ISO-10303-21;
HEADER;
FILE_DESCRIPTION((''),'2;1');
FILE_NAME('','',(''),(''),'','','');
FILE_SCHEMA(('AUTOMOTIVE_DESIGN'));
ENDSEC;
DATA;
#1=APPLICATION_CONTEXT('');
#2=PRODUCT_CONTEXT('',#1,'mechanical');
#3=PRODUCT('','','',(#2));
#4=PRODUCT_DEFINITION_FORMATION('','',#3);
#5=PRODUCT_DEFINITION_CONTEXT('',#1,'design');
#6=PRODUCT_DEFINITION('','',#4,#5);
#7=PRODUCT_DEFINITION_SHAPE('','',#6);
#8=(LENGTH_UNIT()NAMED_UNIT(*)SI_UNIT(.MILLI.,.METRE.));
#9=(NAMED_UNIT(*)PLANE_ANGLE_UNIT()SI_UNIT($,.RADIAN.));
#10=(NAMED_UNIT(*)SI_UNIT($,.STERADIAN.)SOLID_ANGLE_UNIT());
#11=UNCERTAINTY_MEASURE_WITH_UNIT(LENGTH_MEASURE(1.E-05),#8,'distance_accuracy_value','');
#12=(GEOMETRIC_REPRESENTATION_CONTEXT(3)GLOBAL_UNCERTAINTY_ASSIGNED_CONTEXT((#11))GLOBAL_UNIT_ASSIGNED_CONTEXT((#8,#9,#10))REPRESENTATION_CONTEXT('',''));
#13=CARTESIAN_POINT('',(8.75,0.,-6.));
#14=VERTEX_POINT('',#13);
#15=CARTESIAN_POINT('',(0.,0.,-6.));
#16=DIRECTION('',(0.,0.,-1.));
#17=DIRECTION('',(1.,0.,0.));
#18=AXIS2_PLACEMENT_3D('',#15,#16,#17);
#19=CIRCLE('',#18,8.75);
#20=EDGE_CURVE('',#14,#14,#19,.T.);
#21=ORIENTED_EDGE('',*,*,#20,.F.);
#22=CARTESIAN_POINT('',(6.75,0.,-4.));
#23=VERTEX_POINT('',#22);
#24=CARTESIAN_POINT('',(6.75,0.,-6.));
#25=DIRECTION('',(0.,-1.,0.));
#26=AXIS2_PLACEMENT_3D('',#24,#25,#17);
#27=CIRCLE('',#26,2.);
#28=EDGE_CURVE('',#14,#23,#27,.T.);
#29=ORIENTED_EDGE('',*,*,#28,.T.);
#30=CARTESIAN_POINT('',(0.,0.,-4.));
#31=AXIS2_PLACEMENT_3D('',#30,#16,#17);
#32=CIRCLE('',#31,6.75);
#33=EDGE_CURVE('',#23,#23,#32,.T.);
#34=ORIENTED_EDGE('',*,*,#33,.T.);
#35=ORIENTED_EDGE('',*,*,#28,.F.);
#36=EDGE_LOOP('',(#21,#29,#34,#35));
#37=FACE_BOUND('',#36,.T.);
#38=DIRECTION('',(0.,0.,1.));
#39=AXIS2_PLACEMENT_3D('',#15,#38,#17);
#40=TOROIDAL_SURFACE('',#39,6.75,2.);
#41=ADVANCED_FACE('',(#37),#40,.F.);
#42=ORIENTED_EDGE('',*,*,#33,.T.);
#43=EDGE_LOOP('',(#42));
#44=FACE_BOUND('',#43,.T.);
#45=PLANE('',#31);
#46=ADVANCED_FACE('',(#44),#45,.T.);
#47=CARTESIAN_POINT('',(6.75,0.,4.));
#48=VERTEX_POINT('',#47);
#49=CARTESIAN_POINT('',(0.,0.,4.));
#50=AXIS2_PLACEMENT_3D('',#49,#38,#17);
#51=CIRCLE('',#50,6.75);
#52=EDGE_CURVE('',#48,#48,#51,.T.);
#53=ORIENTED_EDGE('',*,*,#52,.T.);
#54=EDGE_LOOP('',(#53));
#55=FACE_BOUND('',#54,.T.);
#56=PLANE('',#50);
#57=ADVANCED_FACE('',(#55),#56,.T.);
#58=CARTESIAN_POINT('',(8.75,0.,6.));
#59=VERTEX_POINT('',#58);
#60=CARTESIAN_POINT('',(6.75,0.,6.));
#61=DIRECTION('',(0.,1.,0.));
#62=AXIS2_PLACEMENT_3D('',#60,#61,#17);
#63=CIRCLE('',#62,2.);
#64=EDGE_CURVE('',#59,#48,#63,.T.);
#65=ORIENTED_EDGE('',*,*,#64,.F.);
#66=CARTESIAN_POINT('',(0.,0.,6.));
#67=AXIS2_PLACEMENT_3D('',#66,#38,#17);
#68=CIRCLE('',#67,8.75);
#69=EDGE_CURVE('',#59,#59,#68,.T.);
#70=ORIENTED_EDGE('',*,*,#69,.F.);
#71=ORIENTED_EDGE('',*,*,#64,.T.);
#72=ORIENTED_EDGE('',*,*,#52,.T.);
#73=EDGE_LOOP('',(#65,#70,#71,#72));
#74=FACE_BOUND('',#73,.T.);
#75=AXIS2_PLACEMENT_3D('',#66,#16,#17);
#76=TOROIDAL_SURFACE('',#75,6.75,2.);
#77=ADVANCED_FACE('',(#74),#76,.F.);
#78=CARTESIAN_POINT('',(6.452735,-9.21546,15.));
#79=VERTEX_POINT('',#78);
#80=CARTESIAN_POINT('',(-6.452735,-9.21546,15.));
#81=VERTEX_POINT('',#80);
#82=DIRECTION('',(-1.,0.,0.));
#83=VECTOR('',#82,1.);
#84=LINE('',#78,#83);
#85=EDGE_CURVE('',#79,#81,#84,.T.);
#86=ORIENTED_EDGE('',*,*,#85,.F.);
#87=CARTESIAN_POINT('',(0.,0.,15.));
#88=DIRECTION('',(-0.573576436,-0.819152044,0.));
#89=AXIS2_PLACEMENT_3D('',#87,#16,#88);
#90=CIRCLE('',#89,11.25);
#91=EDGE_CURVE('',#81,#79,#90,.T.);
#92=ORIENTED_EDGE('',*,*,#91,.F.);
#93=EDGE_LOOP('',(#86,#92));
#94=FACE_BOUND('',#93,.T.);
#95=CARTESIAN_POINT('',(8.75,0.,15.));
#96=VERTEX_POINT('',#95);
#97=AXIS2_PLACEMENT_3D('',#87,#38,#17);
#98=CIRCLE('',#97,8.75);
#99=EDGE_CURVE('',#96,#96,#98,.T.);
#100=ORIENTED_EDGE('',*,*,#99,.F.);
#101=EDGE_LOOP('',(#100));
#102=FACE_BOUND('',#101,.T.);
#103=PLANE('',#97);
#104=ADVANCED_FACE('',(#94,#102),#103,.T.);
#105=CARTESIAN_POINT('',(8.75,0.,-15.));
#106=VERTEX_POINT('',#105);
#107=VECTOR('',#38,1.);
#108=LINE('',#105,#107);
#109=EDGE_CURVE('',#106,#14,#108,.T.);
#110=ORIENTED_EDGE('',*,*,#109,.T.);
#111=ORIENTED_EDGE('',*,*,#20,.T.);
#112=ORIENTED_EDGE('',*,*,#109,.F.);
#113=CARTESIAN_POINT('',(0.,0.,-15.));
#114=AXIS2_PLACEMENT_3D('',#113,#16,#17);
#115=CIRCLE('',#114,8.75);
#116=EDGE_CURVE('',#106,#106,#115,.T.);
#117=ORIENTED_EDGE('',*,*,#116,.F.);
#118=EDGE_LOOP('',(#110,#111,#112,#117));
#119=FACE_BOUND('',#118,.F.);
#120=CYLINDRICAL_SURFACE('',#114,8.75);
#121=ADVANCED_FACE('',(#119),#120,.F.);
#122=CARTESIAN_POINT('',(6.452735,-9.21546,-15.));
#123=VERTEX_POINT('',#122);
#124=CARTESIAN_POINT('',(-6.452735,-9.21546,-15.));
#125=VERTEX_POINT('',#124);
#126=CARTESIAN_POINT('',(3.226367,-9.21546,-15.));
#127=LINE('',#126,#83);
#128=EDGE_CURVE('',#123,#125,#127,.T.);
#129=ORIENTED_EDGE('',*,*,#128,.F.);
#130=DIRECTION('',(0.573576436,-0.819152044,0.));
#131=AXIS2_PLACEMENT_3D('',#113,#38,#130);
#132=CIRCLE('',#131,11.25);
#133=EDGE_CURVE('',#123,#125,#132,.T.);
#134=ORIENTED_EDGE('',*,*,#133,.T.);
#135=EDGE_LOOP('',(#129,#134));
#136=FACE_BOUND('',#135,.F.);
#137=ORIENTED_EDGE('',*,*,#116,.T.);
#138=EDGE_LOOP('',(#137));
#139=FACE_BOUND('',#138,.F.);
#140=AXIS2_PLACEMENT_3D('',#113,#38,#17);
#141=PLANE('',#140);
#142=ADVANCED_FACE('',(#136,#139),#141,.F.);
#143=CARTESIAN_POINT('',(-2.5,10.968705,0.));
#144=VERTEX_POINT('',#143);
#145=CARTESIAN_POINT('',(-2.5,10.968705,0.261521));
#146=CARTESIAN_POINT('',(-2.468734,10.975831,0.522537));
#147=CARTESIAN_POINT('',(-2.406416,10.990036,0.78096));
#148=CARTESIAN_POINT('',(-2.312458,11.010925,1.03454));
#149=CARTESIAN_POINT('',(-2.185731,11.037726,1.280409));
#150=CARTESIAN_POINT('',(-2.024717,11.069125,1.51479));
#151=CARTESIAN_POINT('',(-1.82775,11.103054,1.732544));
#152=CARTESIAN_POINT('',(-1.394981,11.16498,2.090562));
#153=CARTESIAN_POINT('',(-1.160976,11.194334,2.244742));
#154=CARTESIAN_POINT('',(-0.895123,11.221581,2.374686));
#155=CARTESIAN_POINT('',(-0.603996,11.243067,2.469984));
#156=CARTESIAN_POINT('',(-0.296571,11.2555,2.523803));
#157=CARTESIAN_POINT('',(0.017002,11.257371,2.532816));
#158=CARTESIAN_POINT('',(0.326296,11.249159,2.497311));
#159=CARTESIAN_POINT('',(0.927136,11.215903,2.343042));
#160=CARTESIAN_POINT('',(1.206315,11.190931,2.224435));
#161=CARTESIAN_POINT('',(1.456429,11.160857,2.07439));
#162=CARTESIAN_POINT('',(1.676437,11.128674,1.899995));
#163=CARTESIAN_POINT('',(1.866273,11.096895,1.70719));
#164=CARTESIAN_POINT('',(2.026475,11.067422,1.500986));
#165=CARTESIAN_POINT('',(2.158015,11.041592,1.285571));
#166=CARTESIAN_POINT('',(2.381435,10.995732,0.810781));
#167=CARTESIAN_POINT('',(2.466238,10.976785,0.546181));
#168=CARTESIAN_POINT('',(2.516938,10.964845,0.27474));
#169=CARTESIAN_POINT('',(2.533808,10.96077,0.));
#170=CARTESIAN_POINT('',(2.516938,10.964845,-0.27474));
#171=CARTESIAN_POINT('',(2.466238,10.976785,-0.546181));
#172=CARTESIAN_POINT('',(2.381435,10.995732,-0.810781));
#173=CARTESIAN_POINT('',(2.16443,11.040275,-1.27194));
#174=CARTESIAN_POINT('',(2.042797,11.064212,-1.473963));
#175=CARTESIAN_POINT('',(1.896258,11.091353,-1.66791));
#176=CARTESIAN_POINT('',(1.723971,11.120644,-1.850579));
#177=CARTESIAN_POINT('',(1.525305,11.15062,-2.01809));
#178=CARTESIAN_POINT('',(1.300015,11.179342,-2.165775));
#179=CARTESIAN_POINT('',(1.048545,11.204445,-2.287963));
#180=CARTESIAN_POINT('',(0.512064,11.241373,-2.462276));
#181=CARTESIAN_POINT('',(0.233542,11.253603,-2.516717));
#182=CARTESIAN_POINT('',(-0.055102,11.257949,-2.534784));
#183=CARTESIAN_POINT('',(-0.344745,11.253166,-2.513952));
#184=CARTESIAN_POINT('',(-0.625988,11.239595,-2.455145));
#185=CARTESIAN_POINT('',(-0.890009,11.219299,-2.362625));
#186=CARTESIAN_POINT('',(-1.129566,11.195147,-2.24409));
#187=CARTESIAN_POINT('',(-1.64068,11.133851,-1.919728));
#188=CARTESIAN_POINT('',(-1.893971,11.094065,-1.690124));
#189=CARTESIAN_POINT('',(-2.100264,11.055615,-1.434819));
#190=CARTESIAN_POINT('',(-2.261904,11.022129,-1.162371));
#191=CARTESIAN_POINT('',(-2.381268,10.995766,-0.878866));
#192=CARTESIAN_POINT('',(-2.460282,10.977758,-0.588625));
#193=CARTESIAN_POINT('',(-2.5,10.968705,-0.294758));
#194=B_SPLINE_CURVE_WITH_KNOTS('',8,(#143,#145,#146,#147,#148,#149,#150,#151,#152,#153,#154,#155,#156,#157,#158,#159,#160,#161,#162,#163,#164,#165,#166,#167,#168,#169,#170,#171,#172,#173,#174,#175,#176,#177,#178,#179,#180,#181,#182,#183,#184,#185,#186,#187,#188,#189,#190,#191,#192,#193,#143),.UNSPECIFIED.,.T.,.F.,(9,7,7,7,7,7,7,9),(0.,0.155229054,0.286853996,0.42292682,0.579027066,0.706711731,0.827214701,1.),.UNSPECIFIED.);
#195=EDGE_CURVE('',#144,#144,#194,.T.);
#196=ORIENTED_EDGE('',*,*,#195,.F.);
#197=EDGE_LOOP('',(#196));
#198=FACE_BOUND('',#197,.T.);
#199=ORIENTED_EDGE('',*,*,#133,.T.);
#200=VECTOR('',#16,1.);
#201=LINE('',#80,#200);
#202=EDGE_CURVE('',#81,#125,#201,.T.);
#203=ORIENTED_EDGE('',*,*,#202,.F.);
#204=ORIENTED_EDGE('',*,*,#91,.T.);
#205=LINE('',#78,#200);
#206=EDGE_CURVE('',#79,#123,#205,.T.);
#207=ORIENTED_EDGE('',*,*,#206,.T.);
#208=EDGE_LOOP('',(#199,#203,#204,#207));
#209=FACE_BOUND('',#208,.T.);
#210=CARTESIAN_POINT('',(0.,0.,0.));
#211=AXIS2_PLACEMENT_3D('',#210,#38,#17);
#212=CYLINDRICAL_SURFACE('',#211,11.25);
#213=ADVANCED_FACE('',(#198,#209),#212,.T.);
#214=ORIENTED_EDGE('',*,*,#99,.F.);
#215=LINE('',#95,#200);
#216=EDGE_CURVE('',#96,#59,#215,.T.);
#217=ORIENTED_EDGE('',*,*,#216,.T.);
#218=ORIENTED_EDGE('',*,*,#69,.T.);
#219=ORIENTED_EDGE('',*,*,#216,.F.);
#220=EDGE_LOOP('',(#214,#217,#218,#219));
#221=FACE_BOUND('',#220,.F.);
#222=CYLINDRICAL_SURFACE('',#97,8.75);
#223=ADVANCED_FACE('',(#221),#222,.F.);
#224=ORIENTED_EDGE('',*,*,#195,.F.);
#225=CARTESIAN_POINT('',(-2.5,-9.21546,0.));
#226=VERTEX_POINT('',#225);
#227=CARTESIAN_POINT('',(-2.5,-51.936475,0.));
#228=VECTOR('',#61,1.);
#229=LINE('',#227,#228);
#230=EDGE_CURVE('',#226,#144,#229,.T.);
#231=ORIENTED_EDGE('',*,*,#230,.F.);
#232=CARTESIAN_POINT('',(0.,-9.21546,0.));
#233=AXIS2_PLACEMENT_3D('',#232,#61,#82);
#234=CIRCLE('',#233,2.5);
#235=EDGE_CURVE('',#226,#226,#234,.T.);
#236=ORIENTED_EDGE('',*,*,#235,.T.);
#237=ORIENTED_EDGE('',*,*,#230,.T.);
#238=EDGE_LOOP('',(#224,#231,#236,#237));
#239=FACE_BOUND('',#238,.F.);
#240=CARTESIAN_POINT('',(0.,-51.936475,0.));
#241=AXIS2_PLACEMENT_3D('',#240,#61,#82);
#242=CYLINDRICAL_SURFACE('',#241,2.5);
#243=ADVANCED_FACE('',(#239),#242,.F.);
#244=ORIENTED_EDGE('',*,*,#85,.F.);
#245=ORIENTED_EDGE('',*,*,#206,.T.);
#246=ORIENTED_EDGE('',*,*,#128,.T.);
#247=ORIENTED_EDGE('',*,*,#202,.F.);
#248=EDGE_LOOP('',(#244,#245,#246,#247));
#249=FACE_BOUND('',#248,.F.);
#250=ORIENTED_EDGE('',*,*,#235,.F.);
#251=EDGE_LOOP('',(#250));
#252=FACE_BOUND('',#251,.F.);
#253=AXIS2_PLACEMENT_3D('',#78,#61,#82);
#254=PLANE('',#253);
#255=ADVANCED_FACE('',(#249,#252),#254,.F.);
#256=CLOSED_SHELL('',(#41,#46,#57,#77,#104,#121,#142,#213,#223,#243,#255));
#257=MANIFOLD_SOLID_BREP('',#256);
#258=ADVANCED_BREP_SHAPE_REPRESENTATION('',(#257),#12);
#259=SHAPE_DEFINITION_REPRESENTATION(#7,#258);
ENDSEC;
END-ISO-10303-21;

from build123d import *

# Parameters (mm, degrees)
F0_R          = 11.25
F1_DEPTH      = 15
F1_DEPTH_BACK = 15
F4_DEPTH      = 30.001
F2_R          = 8.75
F5_DEPTH      = 11
F3_R          = 8.75
F6_DEPTH      = 11
F8_D          = 5
F9_R          = 2
F10_R         = 2


with BuildPart() as f1:
    # F0 (on Top) → F1 (new body, two sides)
    with BuildSketch(Plane.XY) as f1_sk:
        Circle(F0_R)
    extrude(amount=F1_DEPTH)
    extrude(f1_sk.sketch, amount=-F1_DEPTH_BACK)

    # F2 (on face) → F4 (cut, through all)
    with BuildSketch(Plane.XY.offset(15)):
        with BuildLine():
            Line((6.4527349089, -9.2154604983), (-6.4527349089, -9.2154604983))
            ThreePointArc((-6.4527349089, -9.2154604983), (0, -11.25), (6.4527349089, -9.2154604983))
        make_face()
    extrude(amount=-F4_DEPTH, mode=Mode.SUBTRACT)

    # F2 (on face) → F5 (cut)
    with BuildSketch(Plane.XY.offset(15)):
        Circle(F2_R)
    extrude(amount=-F5_DEPTH, mode=Mode.SUBTRACT)

    # F3 (on face) → F6 (cut)
    with BuildSketch(Plane(origin=(0, 0, -15), x_dir=(1, 0, 0), z_dir=(0, 0, -1))):
        Circle(F3_R)
    extrude(amount=-F6_DEPTH, mode=Mode.SUBTRACT)

    # F8 (through all)
    with Locations(Plane.XZ.offset(9.2154604983)):
        with Locations((0, 0)):
            Hole(F8_D / 2)

    # F9
    f9_edges = [f1.edges().sort_by_distance(p)[0] for p in [
        (-8.75, 0, 4),
    ]]
    fillet(f9_edges, radius=F9_R)

    # F10
    f10_edges = [f1.edges().sort_by_distance(p)[0] for p in [
        (-8.75, 0, -4),
    ]]
    fillet(f10_edges, radius=F10_R)


solid = f1.part
